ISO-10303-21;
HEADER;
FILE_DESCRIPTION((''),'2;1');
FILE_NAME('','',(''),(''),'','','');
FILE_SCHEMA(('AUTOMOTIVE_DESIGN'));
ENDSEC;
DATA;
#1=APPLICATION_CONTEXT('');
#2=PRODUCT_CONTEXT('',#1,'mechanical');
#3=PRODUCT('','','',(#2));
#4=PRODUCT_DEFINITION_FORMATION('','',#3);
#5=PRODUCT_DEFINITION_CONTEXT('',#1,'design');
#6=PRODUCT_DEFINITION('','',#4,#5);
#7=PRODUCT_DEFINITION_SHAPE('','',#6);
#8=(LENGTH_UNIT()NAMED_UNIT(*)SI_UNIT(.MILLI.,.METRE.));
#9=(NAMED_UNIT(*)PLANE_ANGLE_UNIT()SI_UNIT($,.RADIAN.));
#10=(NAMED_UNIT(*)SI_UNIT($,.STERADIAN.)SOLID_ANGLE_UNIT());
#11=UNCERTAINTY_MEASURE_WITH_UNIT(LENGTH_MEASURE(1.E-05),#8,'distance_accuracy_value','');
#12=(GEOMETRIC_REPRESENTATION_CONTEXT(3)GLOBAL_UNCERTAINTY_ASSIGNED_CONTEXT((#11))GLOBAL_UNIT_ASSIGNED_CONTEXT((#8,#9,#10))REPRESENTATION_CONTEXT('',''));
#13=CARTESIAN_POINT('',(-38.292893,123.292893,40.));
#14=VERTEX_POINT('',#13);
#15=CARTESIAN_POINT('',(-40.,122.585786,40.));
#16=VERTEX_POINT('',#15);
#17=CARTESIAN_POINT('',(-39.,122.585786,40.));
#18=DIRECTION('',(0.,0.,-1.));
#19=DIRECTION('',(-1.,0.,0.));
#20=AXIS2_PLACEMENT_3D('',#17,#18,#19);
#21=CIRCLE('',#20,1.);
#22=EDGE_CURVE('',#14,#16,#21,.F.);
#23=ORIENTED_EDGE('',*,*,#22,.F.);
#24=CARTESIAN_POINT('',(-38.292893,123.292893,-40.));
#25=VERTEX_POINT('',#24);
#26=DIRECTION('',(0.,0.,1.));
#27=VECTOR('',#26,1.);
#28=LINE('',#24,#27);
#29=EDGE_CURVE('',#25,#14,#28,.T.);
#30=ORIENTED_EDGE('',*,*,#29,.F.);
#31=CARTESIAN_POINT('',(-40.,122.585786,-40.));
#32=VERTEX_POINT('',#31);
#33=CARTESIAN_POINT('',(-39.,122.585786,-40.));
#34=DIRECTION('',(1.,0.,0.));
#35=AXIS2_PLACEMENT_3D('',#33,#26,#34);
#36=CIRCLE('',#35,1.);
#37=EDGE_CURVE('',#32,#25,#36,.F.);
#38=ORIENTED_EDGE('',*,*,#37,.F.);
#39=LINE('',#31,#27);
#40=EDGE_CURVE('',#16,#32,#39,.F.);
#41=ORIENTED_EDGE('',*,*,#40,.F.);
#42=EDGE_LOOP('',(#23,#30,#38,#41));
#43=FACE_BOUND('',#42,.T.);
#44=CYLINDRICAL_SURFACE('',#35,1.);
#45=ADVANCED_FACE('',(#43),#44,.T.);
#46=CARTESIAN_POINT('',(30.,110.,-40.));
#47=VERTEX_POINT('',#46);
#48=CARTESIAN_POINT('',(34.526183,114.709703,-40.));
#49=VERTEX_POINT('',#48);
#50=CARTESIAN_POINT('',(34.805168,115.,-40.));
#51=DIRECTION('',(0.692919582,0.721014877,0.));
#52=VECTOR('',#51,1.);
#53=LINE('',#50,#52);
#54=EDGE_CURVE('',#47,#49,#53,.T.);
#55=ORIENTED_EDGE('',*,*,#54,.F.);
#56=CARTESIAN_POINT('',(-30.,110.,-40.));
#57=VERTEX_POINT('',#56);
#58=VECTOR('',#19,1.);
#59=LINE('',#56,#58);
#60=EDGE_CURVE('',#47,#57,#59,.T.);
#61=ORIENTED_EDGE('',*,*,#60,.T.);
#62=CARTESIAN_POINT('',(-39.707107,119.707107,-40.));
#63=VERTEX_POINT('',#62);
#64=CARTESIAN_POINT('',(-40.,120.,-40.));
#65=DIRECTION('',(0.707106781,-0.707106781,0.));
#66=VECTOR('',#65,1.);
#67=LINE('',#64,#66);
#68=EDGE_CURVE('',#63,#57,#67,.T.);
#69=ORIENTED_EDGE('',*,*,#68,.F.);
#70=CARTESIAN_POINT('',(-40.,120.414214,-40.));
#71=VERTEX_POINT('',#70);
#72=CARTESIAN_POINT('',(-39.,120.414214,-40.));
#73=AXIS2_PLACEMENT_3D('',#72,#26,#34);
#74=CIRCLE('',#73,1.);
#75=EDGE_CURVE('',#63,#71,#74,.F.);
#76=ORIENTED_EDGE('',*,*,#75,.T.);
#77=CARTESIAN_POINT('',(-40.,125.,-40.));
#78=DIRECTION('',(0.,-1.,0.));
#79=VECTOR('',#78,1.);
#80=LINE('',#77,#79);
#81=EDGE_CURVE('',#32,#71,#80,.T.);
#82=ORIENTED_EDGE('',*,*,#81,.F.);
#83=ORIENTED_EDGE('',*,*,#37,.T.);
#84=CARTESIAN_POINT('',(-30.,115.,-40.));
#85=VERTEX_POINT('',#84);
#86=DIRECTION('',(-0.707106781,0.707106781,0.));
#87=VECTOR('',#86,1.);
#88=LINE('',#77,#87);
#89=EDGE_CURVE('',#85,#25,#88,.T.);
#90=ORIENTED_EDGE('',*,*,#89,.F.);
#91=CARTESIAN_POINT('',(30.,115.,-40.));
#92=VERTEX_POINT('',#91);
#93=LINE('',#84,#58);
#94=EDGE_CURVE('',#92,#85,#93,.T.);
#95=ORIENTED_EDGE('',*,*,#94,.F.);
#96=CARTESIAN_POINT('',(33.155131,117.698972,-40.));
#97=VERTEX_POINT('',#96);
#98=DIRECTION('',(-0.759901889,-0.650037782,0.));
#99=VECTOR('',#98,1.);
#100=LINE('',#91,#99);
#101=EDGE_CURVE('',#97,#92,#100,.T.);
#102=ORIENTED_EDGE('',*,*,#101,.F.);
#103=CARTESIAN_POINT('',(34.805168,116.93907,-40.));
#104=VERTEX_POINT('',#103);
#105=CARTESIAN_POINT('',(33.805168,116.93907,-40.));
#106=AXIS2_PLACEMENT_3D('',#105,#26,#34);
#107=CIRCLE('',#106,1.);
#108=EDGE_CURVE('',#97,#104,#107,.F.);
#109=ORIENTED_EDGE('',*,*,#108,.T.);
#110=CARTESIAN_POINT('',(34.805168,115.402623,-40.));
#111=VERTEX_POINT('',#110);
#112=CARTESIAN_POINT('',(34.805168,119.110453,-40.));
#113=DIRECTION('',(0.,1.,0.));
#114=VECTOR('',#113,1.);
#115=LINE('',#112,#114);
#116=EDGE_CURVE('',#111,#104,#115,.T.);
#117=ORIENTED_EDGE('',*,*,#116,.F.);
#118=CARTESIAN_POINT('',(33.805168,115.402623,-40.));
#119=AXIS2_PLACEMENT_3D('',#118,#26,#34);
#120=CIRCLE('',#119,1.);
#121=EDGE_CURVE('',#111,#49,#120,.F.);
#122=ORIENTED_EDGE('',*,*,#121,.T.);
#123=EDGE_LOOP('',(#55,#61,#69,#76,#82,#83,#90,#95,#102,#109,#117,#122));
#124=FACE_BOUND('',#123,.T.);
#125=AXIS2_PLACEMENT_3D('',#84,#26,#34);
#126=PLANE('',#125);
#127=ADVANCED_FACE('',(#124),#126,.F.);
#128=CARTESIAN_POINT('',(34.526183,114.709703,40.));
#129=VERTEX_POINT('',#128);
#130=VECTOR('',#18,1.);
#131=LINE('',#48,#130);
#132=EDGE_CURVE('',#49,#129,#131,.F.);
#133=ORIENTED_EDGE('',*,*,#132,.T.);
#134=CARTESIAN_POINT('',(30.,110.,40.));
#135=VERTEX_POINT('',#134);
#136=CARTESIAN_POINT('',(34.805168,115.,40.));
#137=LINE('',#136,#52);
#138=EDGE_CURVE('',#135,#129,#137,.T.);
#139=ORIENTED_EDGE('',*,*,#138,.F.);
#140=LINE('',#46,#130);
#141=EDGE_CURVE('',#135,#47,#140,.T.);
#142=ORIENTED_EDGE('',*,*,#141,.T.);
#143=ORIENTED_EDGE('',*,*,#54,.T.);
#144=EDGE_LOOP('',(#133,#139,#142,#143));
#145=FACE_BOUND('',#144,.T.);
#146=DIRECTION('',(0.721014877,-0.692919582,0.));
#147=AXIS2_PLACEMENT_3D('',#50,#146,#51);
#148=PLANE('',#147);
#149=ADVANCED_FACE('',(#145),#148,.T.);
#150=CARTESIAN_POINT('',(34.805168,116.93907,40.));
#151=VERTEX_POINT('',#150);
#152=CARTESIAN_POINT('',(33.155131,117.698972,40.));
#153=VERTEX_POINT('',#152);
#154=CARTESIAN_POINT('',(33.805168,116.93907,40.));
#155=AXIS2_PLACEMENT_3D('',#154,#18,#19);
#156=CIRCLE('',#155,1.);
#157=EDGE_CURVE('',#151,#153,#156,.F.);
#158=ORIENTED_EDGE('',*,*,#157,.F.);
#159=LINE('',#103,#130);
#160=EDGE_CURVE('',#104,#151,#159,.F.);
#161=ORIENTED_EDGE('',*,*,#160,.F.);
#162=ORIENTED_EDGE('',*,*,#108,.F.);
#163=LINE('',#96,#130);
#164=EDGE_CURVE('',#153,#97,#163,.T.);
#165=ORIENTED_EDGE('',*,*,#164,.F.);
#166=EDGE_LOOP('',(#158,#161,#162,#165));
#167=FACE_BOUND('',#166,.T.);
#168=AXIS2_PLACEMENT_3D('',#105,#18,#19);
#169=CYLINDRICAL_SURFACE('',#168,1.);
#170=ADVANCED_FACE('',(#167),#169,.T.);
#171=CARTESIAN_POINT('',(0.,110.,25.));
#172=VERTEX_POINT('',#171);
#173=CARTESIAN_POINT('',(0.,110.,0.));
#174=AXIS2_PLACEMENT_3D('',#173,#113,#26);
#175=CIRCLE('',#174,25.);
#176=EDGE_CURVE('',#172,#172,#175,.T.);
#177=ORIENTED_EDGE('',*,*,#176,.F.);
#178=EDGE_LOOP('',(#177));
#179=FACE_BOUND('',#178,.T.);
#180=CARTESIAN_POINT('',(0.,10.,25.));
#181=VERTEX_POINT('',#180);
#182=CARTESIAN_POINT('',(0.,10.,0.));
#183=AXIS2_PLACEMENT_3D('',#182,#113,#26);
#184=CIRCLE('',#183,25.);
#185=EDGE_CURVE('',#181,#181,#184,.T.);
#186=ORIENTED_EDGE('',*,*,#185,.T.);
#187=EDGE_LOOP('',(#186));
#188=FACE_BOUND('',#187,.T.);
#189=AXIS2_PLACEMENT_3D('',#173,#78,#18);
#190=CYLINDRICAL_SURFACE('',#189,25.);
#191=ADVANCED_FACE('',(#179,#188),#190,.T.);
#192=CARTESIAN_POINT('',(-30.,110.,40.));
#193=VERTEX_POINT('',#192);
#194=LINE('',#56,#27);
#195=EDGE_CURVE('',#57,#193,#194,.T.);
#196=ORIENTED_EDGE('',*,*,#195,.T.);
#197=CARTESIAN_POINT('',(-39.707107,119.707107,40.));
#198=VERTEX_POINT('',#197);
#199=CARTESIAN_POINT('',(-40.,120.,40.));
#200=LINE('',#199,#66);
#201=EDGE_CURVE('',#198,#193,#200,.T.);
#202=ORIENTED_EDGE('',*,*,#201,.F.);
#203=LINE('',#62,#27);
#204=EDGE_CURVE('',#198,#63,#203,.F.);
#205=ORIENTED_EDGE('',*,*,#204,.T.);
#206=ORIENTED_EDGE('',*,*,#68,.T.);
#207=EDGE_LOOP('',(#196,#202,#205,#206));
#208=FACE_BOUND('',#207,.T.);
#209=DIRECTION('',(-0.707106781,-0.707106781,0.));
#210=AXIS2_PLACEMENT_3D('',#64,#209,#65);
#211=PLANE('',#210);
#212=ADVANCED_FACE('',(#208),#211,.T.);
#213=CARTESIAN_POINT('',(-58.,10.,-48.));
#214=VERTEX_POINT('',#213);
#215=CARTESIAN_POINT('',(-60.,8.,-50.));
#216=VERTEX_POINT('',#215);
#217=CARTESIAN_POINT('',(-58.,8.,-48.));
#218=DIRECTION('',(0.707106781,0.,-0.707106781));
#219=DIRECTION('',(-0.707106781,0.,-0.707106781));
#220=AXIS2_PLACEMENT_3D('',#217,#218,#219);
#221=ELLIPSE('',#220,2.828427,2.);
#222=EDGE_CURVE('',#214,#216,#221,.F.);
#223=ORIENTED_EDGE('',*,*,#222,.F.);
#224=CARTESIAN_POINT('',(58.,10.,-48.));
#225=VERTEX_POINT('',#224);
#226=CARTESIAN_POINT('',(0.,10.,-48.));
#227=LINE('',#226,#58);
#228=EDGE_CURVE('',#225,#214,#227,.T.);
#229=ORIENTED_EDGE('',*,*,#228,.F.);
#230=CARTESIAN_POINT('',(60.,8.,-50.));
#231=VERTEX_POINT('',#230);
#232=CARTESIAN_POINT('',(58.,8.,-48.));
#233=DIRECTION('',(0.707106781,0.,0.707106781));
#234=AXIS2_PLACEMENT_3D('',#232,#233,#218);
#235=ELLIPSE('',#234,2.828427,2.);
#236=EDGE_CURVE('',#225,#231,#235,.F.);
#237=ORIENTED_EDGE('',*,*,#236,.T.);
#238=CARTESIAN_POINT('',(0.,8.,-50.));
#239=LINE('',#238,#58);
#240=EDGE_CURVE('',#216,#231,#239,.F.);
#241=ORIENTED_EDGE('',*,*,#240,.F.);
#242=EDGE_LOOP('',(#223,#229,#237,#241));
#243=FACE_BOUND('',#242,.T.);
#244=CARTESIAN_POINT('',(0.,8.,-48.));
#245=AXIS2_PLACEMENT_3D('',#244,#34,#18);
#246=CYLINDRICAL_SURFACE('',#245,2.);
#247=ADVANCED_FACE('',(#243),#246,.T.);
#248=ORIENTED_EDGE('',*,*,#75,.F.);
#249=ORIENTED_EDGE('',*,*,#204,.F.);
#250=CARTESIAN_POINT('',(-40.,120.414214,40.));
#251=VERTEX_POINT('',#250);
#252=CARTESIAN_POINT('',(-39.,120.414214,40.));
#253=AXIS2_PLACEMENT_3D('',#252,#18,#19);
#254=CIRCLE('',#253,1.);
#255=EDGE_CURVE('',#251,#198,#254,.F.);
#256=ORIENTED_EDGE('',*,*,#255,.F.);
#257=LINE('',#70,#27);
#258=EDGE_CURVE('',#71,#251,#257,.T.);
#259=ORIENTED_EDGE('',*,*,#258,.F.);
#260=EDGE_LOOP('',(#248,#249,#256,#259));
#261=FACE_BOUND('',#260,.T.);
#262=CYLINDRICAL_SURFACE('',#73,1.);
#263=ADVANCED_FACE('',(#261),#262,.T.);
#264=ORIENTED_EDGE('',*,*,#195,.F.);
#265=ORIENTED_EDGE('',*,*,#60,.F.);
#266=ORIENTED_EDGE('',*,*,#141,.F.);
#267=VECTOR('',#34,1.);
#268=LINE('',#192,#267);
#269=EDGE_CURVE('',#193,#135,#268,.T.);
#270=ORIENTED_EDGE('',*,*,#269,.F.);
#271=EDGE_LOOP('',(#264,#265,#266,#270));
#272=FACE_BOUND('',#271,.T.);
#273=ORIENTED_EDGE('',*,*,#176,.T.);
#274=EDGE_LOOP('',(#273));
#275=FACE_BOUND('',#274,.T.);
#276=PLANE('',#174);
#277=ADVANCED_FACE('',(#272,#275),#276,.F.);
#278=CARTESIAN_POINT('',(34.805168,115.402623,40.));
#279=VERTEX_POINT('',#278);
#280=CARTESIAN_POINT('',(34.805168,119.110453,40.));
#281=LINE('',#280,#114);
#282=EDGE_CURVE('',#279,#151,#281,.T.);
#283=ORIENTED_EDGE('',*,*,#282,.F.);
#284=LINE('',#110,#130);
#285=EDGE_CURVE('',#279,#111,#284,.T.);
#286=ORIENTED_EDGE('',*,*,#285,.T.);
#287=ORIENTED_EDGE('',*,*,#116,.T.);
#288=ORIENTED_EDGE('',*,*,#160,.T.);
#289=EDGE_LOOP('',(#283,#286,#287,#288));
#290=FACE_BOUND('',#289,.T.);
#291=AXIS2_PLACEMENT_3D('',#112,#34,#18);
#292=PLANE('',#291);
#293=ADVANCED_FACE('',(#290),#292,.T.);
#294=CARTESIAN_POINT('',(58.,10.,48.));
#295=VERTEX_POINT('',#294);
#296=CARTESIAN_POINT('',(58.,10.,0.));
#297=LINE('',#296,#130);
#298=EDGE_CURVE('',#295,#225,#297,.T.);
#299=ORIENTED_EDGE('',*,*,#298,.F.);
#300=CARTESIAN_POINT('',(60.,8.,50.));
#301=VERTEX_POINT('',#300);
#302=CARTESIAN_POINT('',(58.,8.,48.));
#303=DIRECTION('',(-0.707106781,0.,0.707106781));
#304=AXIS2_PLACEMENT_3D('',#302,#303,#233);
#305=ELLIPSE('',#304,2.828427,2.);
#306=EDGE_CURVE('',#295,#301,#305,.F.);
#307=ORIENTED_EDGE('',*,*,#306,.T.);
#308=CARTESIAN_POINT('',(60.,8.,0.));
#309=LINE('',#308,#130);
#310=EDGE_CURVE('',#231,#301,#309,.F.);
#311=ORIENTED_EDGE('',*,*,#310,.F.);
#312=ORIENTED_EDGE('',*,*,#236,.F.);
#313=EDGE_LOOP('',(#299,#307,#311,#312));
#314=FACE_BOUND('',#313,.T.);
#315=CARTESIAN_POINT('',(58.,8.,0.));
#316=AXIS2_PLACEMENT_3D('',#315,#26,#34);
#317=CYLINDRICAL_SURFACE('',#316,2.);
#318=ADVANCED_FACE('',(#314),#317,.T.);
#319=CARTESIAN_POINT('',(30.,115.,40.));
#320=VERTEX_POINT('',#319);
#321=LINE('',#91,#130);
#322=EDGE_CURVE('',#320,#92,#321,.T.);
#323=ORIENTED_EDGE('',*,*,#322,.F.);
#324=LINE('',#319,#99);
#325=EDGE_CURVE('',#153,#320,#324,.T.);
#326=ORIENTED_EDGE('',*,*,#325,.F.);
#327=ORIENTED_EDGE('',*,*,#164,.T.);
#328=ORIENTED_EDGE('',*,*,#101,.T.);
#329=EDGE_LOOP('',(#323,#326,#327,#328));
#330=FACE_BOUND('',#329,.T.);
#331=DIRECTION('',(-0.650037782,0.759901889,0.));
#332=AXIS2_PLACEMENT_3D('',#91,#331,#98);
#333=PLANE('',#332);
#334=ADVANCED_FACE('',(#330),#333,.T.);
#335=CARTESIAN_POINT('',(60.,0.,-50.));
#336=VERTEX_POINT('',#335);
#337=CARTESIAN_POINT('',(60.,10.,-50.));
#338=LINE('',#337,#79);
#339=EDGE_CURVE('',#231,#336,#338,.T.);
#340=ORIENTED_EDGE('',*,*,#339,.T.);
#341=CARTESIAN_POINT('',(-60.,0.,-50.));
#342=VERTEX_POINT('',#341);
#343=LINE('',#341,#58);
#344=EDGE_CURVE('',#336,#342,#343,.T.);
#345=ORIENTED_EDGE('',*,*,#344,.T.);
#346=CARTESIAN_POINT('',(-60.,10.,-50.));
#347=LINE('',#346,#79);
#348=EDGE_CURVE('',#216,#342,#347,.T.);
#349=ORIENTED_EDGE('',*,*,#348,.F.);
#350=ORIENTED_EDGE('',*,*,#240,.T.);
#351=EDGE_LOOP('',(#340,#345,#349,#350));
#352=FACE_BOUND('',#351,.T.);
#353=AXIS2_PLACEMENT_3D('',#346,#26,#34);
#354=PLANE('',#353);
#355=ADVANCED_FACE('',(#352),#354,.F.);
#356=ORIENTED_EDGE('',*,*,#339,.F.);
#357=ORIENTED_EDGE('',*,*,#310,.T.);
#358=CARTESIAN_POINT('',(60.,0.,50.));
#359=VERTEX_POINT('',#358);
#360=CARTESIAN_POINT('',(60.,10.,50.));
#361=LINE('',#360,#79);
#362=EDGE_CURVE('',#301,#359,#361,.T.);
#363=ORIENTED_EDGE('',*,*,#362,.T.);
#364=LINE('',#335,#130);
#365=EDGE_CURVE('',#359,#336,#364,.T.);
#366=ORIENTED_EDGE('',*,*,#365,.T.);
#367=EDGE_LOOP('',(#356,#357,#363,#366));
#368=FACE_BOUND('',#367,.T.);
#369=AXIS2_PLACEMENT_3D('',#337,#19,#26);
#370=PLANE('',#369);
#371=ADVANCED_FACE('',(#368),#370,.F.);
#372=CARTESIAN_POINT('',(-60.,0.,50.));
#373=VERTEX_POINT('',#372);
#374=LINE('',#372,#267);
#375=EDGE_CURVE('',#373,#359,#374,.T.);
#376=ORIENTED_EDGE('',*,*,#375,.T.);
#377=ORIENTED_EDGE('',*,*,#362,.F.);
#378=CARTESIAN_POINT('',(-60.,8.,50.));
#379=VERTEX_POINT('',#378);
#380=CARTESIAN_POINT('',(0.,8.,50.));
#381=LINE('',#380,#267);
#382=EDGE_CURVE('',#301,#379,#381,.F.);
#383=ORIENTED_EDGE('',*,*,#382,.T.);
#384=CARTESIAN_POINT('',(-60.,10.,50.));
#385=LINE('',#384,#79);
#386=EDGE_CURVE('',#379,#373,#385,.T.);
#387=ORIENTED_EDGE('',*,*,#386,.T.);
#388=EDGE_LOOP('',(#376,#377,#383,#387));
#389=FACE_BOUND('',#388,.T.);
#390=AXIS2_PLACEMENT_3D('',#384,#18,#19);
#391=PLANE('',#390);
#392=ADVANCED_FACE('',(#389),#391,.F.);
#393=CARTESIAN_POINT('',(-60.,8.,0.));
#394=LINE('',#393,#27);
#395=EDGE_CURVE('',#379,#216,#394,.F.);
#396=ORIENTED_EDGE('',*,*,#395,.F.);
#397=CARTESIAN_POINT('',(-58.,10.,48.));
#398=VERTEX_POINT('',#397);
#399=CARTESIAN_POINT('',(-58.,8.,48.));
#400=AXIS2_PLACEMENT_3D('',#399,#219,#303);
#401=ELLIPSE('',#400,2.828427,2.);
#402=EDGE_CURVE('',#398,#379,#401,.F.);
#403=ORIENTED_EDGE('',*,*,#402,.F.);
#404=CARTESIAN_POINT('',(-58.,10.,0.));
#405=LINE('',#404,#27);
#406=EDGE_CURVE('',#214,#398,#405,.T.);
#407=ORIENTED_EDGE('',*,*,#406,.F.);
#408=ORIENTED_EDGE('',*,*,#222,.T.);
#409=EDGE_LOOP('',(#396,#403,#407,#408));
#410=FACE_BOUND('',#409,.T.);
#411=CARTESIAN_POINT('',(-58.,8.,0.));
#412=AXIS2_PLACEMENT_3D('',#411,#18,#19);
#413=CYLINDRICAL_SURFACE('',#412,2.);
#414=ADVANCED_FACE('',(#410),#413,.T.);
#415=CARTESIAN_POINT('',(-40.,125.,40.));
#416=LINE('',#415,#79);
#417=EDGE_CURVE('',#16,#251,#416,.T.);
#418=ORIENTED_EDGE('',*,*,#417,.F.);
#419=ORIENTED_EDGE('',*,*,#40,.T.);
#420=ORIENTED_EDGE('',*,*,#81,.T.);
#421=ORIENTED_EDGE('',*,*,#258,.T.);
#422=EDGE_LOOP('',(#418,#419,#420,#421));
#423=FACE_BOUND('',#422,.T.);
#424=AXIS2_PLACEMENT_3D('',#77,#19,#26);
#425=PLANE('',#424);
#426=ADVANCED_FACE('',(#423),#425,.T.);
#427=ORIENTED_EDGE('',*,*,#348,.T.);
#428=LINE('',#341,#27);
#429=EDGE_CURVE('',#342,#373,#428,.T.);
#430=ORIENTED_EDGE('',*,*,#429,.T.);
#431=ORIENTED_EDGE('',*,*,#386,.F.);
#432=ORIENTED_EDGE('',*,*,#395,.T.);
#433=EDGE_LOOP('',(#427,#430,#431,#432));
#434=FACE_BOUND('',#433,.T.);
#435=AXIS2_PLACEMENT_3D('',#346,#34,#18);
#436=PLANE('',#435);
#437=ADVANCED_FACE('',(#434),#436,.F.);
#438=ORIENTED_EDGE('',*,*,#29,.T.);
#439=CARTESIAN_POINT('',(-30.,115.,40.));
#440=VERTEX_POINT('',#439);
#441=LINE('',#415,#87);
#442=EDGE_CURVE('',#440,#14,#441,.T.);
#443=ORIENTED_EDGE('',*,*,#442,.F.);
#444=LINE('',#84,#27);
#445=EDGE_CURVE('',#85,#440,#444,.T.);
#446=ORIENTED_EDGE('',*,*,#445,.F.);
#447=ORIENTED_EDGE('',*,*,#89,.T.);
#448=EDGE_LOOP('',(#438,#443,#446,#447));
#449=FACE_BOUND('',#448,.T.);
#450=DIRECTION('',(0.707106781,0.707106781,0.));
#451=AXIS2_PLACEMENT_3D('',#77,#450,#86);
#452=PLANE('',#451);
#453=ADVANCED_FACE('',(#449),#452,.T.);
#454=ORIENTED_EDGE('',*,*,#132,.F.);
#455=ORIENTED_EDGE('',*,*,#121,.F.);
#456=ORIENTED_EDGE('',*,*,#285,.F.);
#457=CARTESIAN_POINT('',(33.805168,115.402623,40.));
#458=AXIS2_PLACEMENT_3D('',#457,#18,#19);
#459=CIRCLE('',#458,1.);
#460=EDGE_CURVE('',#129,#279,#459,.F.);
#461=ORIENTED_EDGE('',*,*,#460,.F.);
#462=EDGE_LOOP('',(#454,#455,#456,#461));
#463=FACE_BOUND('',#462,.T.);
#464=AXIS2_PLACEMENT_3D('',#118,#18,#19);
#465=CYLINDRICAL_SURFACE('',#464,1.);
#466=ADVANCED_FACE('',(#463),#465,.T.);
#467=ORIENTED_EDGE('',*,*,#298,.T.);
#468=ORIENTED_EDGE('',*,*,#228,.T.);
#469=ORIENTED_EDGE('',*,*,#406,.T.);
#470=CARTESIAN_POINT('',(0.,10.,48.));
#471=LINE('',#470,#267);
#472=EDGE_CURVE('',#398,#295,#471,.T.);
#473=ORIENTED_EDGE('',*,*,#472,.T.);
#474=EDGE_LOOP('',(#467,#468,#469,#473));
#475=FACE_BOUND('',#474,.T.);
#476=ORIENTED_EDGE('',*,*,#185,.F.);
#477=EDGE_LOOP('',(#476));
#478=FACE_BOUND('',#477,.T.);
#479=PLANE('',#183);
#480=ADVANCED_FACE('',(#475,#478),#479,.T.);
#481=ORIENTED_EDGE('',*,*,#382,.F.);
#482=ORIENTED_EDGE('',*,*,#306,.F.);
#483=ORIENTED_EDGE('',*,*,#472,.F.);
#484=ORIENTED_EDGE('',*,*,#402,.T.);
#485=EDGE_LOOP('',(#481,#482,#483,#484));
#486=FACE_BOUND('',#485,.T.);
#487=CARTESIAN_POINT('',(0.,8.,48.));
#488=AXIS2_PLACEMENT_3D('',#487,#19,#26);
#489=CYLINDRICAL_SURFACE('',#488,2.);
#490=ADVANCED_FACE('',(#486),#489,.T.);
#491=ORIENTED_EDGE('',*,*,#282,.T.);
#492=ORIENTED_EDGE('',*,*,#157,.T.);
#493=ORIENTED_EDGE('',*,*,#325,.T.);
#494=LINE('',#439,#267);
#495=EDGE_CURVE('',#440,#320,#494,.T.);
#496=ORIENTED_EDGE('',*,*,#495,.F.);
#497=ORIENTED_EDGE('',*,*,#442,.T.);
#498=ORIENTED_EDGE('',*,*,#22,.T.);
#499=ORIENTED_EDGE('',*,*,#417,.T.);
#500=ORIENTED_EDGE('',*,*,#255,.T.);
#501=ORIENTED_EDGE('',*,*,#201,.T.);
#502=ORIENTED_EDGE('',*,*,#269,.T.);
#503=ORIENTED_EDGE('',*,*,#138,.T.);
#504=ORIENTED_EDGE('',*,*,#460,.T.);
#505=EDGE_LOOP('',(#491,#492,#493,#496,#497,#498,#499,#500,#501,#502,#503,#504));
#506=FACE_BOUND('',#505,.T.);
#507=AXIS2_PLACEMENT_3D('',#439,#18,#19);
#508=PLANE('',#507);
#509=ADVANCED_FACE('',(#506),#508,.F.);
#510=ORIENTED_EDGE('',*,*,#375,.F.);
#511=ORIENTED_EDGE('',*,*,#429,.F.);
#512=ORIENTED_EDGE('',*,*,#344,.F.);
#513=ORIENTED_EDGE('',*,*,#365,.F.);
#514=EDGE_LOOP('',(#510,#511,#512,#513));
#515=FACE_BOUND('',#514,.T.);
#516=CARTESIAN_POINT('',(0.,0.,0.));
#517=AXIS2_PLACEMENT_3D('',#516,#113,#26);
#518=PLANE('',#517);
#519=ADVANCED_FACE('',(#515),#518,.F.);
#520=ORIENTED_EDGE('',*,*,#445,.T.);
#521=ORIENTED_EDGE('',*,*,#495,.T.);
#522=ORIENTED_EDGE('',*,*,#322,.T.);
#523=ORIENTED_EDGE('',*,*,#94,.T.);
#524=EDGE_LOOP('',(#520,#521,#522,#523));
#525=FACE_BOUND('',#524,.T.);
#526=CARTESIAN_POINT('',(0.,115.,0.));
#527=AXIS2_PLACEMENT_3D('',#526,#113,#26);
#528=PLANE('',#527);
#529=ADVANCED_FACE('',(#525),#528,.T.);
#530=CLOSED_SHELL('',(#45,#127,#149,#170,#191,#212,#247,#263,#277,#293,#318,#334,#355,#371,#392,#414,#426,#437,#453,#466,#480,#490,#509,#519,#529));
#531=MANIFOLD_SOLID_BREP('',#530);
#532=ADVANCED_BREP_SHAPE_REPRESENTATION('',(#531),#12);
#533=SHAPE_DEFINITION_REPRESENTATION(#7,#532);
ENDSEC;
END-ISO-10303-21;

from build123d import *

# Parameters (mm, degrees)
SKETCH_1_W      = 120
SKETCH_1_H      = 100
EXTRUDE_1_DEPTH = 10
SKETCH_2_R      = 25
EXTRUDE_2_DEPTH = 100
SKETCH_3_W      = 60
SKETCH_3_H      = 80
EXTRUDE_3_DEPTH = 5
EXTRUDE_4_DEPTH = 80
EXTRUDE_5_DEPTH = 80
FILLET_2_R      = 1
FILLET_3_R      = 1
FILLET_4_R      = 1
FILLET_5_R      = 1
FILLET_6_R      = 2


with BuildPart() as part:
    # 草图1 → 凸台-拉伸1 (new body)
    with BuildSketch(Plane(origin=(0, 0, 0), x_dir=(1, 0, 0), z_dir=(0, 1, 0))):
        Rectangle(SKETCH_1_W, SKETCH_1_H)
    extrude(amount=EXTRUDE_1_DEPTH)

    # 草图2 → 凸台-拉伸2 (add)
    with BuildSketch(Plane(origin=(0, 10, 0), x_dir=(1, 0, 0), z_dir=(0, 1, 0))):
        with Locations(Location((0, 0, 0), (0, 0, 270))):
            Circle(SKETCH_2_R)
    extrude(amount=EXTRUDE_2_DEPTH)

    # 草图3 → 凸台-拉伸3 (add)
    with BuildSketch(Plane(origin=(0, 110, 0), x_dir=(1, 0, 0), z_dir=(0, 1, 0))):
        Rectangle(SKETCH_3_W, SKETCH_3_H)
    extrude(amount=EXTRUDE_3_DEPTH)

    # 草图5 → 凸台-拉伸4 (add)
    with BuildSketch(Plane.XY.offset(40)):
        Polygon((-40, 125), (-30, 115), (-30, 110), (-40, 120), align=None)
    extrude(amount=-EXTRUDE_4_DEPTH)

    # 草图6 → 凸台-拉伸5 (add)
    with BuildSketch(Plane.XY.offset(40)):
        Polygon((30, 115), (34.805168411, 119.110453023), (34.805168411, 115), (30, 110), align=None)
    extrude(amount=-EXTRUDE_5_DEPTH)

    # 圆角2
    fillet_2_edges = [part.edges().sort_by_distance(p)[0] for p in [
        (-40, 125, 0),
    ]]
    fillet(fillet_2_edges, radius=FILLET_2_R)

    # 圆角3
    fillet_3_edges = [part.edges().sort_by_distance(p)[0] for p in [
        (34.805168411, 119.110453023, 0),
    ]]
    fillet(fillet_3_edges, radius=FILLET_3_R)

    # 圆角4
    fillet_4_edges = [part.edges().sort_by_distance(p)[0] for p in [
        (-40, 120, 0),
    ]]
    fillet(fillet_4_edges, radius=FILLET_4_R)

    # 圆角5
    fillet_5_edges = [part.edges().sort_by_distance(p)[0] for p in [
        (34.805168411, 115, 0),
    ]]
    fillet(fillet_5_edges, radius=FILLET_5_R)

    # 圆角6
    fillet_6_edges = [part.edges().sort_by_distance(p)[0] for p in [
        (-60, 10, 0),
        (0, 10, 50),
        (60, 10, 0),
        (0, 10, -50),
    ]]
    fillet(fillet_6_edges, radius=FILLET_6_R)


solid = part.part
